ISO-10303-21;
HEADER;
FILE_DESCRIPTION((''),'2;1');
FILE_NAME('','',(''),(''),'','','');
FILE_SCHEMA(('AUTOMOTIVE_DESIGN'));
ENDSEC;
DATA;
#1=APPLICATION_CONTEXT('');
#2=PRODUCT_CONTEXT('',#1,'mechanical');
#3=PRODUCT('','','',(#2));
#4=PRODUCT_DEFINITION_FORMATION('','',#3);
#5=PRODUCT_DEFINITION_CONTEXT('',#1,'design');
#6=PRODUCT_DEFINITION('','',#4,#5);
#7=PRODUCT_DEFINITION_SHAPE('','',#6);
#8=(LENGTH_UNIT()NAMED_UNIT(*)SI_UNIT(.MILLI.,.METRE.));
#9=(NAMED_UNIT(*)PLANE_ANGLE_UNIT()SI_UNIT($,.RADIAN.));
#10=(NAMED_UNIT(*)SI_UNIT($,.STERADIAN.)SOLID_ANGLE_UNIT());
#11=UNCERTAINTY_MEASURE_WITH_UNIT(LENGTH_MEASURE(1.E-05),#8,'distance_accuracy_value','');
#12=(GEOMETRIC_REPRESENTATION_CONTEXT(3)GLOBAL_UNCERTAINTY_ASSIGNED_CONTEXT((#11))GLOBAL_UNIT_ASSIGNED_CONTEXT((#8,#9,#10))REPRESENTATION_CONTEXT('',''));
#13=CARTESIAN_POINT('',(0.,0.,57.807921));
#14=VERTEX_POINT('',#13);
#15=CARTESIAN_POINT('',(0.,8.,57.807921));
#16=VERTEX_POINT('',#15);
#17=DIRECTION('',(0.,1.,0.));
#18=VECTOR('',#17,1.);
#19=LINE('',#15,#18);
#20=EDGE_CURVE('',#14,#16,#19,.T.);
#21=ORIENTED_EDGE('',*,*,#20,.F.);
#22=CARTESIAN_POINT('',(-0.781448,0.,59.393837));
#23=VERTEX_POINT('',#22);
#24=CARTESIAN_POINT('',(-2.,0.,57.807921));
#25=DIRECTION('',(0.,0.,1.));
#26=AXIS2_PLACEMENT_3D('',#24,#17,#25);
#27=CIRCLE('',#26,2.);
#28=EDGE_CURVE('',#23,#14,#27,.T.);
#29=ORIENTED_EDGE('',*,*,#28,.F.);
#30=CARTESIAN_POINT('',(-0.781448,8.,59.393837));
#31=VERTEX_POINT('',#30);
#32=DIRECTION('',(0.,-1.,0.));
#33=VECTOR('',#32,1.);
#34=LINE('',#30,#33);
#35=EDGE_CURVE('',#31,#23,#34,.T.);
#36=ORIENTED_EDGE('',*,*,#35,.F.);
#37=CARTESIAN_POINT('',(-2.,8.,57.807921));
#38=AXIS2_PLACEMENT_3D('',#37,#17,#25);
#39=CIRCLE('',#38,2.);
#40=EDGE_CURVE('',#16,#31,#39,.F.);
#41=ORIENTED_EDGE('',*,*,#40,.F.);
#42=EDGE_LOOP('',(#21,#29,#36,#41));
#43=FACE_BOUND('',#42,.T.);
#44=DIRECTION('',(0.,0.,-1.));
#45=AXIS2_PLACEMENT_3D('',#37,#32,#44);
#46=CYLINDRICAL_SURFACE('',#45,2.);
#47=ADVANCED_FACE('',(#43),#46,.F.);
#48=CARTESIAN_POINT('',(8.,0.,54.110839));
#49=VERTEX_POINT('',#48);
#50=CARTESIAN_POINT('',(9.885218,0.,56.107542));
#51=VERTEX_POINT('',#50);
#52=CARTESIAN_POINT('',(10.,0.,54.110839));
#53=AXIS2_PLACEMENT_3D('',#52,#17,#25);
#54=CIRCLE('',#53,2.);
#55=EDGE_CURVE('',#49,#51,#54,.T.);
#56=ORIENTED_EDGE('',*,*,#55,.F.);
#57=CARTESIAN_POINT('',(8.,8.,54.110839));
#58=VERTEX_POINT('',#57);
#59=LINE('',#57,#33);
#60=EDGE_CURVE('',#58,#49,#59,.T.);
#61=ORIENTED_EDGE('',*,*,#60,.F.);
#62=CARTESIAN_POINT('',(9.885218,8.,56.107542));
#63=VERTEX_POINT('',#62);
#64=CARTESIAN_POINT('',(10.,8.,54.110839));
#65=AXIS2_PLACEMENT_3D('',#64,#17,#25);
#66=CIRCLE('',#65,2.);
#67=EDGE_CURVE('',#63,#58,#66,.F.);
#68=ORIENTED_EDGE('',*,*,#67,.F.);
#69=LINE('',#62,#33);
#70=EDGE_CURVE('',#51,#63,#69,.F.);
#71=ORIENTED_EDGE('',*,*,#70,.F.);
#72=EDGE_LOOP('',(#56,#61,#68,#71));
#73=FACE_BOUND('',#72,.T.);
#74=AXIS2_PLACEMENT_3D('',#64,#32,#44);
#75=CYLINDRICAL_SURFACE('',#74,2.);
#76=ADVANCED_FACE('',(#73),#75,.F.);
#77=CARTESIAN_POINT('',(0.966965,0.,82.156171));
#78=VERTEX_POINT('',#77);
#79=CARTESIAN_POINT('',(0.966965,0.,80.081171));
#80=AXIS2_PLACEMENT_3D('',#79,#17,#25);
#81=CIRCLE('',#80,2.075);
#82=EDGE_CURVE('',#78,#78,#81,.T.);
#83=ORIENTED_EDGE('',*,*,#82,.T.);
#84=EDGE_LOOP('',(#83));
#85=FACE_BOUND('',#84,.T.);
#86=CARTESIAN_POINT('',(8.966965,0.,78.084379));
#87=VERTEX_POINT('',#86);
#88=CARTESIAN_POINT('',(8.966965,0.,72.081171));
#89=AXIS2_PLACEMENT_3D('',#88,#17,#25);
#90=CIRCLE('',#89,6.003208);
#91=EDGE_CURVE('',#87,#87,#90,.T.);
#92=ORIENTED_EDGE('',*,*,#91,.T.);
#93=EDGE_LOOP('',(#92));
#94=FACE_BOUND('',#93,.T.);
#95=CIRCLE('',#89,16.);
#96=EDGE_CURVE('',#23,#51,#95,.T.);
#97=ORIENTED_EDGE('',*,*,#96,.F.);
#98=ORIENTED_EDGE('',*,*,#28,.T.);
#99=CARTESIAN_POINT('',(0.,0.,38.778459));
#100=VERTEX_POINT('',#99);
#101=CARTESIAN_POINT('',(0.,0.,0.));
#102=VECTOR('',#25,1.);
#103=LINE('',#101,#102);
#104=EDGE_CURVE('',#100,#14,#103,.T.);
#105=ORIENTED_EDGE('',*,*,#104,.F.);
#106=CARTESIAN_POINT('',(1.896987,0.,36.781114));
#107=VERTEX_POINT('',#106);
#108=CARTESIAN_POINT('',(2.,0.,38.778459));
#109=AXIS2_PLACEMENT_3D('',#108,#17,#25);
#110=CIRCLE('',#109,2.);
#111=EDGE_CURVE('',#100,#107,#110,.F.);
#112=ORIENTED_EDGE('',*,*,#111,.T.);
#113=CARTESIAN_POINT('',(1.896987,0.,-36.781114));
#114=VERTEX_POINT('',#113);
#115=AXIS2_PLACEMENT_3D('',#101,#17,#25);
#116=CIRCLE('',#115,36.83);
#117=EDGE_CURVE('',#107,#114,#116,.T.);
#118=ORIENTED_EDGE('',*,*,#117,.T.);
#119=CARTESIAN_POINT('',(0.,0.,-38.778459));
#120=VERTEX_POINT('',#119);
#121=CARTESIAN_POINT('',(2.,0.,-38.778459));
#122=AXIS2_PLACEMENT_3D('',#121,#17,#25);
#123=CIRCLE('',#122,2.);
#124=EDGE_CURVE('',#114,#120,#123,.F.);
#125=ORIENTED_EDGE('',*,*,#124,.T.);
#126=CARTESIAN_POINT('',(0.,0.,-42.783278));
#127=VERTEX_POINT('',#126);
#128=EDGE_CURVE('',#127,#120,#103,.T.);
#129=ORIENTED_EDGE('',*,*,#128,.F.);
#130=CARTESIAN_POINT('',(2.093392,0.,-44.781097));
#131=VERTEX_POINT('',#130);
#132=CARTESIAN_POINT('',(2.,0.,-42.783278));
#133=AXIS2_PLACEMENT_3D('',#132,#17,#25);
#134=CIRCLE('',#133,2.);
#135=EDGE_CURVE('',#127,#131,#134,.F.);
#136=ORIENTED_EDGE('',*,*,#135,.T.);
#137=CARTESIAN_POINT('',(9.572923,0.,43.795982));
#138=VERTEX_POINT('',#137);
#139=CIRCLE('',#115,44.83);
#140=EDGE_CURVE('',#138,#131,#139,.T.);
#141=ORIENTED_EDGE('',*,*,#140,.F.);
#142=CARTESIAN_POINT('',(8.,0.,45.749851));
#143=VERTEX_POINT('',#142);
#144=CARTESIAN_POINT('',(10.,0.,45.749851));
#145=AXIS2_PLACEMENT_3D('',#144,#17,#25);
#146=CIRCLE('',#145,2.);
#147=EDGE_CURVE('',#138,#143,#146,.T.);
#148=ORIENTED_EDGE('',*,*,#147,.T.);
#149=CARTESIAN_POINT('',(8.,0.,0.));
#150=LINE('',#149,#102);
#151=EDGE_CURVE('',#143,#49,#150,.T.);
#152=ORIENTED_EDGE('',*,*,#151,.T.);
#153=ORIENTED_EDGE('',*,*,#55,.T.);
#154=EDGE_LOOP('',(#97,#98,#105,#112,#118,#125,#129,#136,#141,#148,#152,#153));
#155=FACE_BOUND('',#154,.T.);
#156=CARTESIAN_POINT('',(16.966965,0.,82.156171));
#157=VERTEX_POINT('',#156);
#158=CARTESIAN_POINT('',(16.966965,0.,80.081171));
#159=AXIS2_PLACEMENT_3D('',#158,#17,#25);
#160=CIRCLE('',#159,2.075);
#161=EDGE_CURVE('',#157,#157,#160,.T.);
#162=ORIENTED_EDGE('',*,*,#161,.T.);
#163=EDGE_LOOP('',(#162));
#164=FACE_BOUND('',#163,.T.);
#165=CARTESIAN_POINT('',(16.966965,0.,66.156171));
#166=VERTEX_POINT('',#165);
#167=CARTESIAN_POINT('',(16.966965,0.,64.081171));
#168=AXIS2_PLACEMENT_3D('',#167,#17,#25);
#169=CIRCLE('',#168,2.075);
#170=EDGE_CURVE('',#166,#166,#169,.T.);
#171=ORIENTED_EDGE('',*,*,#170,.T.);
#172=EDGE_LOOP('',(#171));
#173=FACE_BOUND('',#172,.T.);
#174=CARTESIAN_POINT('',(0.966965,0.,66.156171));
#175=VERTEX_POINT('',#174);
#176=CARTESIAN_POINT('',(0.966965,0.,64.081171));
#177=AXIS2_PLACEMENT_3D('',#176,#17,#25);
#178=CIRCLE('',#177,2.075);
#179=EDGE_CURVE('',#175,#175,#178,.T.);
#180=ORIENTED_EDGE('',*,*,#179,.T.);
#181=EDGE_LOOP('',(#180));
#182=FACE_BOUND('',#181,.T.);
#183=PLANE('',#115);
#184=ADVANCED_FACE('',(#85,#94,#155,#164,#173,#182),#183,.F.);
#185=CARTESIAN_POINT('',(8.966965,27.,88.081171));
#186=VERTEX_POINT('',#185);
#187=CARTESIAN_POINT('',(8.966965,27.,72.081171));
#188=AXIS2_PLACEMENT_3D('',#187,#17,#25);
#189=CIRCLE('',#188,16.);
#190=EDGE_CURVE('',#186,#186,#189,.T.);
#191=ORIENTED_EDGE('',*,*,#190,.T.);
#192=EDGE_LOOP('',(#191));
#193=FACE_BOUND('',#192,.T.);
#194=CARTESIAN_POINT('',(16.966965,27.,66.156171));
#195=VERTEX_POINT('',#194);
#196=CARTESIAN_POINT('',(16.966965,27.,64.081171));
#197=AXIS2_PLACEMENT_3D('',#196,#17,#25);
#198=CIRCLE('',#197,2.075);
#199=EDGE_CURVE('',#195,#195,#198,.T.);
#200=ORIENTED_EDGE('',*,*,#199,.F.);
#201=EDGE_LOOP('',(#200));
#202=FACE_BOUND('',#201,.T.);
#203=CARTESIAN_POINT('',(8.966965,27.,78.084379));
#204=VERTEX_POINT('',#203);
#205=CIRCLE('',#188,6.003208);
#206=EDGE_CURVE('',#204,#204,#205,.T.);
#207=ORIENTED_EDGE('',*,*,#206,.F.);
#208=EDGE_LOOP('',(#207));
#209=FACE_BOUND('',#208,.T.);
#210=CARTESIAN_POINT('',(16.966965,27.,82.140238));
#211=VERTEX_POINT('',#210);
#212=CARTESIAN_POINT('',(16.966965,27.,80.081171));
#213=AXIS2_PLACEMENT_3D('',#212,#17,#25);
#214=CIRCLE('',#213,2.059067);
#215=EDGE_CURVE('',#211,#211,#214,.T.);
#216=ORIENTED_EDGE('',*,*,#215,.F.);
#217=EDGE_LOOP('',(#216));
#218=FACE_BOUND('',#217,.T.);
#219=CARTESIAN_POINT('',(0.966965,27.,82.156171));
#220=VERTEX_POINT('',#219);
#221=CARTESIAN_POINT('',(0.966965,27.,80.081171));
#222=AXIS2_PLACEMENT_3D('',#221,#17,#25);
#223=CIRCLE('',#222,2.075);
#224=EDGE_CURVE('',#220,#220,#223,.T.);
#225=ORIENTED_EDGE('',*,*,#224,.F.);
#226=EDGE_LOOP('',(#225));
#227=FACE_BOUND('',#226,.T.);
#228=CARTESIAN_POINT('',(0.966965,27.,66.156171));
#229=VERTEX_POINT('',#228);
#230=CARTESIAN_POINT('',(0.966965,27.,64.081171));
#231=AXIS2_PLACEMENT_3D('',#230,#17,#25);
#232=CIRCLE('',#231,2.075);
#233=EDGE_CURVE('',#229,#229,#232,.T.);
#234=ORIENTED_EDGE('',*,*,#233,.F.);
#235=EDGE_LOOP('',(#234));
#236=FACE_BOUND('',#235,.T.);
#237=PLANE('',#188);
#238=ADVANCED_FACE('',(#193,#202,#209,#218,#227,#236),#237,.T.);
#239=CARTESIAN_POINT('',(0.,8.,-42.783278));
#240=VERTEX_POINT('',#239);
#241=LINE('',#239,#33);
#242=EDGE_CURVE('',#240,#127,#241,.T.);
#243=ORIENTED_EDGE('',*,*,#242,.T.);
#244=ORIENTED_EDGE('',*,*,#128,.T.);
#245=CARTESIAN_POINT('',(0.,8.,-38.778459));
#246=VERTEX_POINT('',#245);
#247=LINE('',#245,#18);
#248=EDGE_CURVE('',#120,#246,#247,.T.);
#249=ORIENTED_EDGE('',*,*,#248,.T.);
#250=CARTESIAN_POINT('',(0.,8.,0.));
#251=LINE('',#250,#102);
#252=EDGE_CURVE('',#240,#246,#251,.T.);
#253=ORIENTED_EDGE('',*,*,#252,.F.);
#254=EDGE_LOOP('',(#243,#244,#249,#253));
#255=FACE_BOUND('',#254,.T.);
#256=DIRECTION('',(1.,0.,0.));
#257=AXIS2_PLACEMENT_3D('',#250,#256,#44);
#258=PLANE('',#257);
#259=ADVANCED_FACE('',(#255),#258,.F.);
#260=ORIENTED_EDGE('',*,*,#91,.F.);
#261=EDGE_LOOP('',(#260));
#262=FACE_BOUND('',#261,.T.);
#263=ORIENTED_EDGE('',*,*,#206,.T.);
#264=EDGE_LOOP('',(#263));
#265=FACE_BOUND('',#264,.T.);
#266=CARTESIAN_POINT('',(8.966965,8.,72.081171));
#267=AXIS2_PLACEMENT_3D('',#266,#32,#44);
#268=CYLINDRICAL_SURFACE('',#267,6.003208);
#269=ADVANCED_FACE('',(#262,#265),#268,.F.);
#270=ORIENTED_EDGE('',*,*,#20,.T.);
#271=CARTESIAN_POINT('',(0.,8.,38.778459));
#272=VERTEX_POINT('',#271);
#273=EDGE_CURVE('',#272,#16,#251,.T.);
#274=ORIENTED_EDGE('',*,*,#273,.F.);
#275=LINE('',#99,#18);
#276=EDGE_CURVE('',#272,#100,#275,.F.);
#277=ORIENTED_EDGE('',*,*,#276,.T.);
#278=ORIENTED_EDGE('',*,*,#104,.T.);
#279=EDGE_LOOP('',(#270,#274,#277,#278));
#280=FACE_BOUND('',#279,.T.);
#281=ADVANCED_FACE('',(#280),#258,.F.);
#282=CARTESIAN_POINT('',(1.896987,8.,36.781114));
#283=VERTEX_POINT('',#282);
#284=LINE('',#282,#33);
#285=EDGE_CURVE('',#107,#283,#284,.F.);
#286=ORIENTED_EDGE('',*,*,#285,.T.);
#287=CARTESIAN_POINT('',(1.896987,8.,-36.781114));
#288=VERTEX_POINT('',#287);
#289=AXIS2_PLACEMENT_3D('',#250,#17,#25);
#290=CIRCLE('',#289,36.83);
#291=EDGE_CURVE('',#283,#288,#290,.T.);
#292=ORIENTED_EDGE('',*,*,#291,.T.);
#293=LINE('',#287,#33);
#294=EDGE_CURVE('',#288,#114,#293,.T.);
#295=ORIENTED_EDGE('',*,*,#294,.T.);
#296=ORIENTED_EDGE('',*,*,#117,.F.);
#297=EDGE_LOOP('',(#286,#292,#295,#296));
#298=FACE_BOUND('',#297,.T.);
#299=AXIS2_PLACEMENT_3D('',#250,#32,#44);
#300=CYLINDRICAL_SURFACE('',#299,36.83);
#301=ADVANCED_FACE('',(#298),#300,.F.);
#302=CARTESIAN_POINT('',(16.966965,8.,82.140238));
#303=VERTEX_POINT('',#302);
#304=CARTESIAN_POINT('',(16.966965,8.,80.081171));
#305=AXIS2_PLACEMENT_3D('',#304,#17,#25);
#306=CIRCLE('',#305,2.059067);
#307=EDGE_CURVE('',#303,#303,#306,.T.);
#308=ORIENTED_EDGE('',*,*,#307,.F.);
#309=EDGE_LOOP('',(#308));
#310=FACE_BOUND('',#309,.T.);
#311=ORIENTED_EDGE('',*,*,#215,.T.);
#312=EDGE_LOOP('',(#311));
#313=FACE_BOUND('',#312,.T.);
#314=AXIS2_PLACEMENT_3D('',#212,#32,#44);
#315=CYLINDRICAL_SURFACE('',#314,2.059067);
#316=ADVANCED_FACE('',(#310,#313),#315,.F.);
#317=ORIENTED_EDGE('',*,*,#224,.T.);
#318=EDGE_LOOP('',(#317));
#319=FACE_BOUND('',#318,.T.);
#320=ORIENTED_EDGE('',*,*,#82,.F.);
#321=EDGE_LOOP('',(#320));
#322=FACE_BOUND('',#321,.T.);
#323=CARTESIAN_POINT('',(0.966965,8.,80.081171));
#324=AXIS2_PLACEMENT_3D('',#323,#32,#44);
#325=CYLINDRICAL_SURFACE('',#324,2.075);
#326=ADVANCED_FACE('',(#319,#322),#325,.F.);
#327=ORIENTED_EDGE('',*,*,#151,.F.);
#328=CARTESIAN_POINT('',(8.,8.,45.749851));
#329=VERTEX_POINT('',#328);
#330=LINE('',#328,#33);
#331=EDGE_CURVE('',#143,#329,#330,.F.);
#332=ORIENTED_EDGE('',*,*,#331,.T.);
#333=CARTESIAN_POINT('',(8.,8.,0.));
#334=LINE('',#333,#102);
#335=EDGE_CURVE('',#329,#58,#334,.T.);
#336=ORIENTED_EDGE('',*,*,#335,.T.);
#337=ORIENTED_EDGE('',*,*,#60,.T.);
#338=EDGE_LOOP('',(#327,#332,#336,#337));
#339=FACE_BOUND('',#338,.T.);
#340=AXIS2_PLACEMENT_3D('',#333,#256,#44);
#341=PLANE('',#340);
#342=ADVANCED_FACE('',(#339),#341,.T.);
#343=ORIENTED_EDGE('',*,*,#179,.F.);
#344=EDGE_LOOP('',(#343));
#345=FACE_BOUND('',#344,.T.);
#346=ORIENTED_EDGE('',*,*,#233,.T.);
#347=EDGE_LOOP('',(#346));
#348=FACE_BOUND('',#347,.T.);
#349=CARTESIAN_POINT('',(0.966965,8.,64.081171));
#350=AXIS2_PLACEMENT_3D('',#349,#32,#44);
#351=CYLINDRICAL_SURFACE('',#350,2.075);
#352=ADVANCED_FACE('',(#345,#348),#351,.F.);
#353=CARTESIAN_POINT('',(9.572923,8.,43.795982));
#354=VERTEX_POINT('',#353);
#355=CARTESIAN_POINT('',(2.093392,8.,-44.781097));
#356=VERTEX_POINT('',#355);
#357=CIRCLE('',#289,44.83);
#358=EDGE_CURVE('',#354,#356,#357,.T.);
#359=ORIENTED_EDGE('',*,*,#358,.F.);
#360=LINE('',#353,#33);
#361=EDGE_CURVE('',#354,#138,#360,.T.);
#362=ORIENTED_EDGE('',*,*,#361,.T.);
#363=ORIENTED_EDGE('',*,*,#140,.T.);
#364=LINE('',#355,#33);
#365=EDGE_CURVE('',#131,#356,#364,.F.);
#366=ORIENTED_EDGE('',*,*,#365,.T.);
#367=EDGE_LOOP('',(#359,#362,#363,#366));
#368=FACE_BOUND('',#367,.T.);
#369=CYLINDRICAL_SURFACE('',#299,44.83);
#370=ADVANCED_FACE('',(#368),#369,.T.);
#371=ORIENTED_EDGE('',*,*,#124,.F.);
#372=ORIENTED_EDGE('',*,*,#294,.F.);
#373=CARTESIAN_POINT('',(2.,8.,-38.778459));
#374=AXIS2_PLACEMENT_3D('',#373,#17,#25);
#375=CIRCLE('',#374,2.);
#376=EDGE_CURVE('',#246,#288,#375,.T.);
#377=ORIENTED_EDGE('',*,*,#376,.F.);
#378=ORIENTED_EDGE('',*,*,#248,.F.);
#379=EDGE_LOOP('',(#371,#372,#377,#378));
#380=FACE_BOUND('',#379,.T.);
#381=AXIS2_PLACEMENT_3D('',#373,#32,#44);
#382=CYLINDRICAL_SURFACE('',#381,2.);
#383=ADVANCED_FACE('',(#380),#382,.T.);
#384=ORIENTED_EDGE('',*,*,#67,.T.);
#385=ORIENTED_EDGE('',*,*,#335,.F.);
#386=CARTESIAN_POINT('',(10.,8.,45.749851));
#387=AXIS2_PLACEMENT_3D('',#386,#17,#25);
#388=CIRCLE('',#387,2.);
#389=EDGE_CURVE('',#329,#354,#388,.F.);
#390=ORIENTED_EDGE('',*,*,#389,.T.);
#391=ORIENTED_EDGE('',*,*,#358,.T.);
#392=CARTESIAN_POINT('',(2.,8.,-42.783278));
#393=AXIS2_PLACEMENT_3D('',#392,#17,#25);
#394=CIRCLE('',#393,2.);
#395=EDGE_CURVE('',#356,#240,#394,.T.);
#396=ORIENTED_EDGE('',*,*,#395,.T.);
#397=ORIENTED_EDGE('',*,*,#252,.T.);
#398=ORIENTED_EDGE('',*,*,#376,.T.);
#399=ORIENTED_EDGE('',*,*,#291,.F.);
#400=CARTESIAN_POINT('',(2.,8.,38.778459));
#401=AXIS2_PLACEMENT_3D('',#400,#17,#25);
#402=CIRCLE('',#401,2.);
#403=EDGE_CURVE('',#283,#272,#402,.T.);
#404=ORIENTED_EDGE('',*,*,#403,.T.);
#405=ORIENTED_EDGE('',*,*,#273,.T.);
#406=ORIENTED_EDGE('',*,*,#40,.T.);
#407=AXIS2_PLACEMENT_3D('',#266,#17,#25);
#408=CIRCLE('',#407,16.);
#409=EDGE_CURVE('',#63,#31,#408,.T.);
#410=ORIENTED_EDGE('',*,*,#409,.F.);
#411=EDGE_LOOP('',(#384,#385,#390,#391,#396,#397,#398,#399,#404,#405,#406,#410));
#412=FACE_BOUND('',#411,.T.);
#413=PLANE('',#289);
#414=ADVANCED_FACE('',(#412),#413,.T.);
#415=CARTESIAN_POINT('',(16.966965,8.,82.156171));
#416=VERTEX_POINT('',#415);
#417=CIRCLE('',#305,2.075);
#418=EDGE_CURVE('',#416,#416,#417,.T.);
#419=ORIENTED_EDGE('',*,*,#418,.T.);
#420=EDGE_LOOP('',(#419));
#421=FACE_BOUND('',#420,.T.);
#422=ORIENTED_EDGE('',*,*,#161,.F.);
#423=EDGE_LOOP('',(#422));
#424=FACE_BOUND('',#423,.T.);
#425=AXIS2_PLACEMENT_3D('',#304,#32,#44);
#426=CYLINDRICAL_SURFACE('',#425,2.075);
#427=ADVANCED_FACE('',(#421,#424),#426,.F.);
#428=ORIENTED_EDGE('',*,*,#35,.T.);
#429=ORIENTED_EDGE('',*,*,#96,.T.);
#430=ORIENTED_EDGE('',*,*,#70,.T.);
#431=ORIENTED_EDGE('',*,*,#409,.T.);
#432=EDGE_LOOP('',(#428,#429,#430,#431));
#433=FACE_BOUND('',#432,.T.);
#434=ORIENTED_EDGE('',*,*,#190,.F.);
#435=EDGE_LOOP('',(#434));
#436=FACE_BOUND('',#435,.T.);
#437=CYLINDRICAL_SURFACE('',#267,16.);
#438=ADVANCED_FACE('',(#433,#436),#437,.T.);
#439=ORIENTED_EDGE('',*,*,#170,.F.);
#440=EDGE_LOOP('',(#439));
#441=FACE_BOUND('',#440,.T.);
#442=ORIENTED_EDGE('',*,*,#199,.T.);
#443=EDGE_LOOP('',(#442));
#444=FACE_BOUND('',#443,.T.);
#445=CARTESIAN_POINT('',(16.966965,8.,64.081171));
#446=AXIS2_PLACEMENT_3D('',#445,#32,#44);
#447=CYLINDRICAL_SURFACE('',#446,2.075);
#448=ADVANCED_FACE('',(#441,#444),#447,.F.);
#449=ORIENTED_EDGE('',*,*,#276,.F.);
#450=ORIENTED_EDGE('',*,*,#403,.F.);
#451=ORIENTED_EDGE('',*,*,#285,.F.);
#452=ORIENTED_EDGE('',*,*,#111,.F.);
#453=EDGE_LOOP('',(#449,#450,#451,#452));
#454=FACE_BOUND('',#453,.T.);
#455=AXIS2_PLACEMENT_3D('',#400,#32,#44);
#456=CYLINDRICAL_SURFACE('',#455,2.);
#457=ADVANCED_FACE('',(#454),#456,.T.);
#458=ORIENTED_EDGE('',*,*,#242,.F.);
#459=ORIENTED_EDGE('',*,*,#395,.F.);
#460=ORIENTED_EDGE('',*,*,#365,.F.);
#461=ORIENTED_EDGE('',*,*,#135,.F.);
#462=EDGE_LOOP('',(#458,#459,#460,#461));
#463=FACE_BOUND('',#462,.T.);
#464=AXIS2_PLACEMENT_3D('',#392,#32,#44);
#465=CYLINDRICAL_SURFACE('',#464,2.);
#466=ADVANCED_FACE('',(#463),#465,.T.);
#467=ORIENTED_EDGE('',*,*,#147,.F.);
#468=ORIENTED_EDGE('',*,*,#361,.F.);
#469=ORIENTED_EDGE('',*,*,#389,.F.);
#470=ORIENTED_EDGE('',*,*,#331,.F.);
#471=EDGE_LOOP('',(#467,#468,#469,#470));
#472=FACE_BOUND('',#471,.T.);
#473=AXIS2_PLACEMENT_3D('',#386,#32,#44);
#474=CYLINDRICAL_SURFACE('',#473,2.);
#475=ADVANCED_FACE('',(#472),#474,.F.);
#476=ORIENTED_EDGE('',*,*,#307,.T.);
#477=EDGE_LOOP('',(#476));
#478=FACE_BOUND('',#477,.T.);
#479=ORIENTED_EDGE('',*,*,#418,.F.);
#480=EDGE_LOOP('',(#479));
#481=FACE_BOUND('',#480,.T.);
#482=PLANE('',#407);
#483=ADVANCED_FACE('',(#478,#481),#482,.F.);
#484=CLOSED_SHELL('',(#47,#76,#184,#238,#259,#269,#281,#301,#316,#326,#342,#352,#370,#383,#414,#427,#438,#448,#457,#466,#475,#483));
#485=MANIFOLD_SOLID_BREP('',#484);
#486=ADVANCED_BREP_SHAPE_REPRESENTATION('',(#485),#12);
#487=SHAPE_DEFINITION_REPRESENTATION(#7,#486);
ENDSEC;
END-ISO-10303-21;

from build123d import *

# Parameters (mm, degrees)
SKETCH1_R           = 2.075
SKETCH1_R_2         = 6.003208263
BOSS_EXTRUDE2_DEPTH = 8
FILLET1_R           = 2
SKETCH2_R           = 16
SKETCH2_R_2         = 2.075
SKETCH2_R_3         = 6.003208263
SKETCH2_R_4         = 2.059067384
BOSS_EXTRUDE3_DEPTH = 19


with BuildPart() as part:
    # Sketch1 → Boss-Extrude2 (new body)
    with BuildSketch(Plane(origin=(0, 0, 0), x_dir=(1, 0, 0), z_dir=(0, 1, 0))):
        with BuildLine():
            Line((0, 44.83), (0, 36.83))
            ThreePointArc((0, 36.83), (36.83, 0), (0, -36.83))
            Line((0, -36.83), (0, -46.83))
            Line((0, -46.83), (0, -58.83))
            ThreePointArc((0, -58.83), (14.116701064, -87.229775601), (8, -56.110417137))
            Line((8, -56.110417137), (8, -44.110417137))
            ThreePointArc((8, -44.110417137), (44.649741882, 4.016148637), (0, 44.83))
        make_face()
        with Locations(Location((0.96696537, -64.081170969, 0), (0, 0, 270))):
            Circle(SKETCH1_R, mode=Mode.SUBTRACT)
        with Locations(Location((16.96696537, -64.081170969, 0), (0, 0, 270))):
            Circle(SKETCH1_R, mode=Mode.SUBTRACT)
        with Locations(Location((16.96696537, -80.081170969, 0), (0, 0, 270))):
            Circle(SKETCH1_R, mode=Mode.SUBTRACT)
        with Locations(Location((0.96696537, -80.081170969, 0), (0, 0, 270))):
            Circle(SKETCH1_R, mode=Mode.SUBTRACT)
        with Locations(Location((8.96696537, -72.081170969, 0), (0, 0, 270))):
            Circle(SKETCH1_R_2, mode=Mode.SUBTRACT)
    extrude(amount=BOSS_EXTRUDE2_DEPTH)

    # Fillet1
    fillet1_edges = [part.edges().sort_by_distance(p)[0] for p in [
        (0, 4, 58.83),
        (0, 4, 36.83),
        (0, 4, -36.83),
        (0, 4, -44.83),
        (8, 4, 44.110417137),
        (8, 4, 56.110417137),
    ]]
    fillet(fillet1_edges, radius=FILLET1_R)

    # Sketch2 → Boss-Extrude3 (add)
    with BuildSketch(Plane(origin=(0, 8, 0), x_dir=(1, 0, 0), z_dir=(0, 1, 0))):
        with Locations(Location((8.96696537, -72.081170969, 0), (0, 0, 86.709940875))):
            Circle(SKETCH2_R)
        with Locations(Location((0.96696537, -64.081170969, 0), (0, 0, 270))):
            Circle(SKETCH2_R_2, mode=Mode.SUBTRACT)
        with Locations(Location((8.96696537, -72.081170969, 0), (0, 0, 270))):
            Circle(SKETCH2_R_3, mode=Mode.SUBTRACT)
        with Locations(Location((16.96696537, -64.081170969, 0), (0, 0, 270))):
            Circle(SKETCH2_R_2, mode=Mode.SUBTRACT)
        with Locations(Location((16.96696537, -80.081170969, 0), (0, 0, 270))):
            Circle(SKETCH2_R_4, mode=Mode.SUBTRACT)
        with Locations(Location((0.96696537, -80.081170969, 0), (0, 0, 270))):
            Circle(SKETCH2_R_2, mode=Mode.SUBTRACT)
    extrude(amount=BOSS_EXTRUDE3_DEPTH)


solid = part.part
